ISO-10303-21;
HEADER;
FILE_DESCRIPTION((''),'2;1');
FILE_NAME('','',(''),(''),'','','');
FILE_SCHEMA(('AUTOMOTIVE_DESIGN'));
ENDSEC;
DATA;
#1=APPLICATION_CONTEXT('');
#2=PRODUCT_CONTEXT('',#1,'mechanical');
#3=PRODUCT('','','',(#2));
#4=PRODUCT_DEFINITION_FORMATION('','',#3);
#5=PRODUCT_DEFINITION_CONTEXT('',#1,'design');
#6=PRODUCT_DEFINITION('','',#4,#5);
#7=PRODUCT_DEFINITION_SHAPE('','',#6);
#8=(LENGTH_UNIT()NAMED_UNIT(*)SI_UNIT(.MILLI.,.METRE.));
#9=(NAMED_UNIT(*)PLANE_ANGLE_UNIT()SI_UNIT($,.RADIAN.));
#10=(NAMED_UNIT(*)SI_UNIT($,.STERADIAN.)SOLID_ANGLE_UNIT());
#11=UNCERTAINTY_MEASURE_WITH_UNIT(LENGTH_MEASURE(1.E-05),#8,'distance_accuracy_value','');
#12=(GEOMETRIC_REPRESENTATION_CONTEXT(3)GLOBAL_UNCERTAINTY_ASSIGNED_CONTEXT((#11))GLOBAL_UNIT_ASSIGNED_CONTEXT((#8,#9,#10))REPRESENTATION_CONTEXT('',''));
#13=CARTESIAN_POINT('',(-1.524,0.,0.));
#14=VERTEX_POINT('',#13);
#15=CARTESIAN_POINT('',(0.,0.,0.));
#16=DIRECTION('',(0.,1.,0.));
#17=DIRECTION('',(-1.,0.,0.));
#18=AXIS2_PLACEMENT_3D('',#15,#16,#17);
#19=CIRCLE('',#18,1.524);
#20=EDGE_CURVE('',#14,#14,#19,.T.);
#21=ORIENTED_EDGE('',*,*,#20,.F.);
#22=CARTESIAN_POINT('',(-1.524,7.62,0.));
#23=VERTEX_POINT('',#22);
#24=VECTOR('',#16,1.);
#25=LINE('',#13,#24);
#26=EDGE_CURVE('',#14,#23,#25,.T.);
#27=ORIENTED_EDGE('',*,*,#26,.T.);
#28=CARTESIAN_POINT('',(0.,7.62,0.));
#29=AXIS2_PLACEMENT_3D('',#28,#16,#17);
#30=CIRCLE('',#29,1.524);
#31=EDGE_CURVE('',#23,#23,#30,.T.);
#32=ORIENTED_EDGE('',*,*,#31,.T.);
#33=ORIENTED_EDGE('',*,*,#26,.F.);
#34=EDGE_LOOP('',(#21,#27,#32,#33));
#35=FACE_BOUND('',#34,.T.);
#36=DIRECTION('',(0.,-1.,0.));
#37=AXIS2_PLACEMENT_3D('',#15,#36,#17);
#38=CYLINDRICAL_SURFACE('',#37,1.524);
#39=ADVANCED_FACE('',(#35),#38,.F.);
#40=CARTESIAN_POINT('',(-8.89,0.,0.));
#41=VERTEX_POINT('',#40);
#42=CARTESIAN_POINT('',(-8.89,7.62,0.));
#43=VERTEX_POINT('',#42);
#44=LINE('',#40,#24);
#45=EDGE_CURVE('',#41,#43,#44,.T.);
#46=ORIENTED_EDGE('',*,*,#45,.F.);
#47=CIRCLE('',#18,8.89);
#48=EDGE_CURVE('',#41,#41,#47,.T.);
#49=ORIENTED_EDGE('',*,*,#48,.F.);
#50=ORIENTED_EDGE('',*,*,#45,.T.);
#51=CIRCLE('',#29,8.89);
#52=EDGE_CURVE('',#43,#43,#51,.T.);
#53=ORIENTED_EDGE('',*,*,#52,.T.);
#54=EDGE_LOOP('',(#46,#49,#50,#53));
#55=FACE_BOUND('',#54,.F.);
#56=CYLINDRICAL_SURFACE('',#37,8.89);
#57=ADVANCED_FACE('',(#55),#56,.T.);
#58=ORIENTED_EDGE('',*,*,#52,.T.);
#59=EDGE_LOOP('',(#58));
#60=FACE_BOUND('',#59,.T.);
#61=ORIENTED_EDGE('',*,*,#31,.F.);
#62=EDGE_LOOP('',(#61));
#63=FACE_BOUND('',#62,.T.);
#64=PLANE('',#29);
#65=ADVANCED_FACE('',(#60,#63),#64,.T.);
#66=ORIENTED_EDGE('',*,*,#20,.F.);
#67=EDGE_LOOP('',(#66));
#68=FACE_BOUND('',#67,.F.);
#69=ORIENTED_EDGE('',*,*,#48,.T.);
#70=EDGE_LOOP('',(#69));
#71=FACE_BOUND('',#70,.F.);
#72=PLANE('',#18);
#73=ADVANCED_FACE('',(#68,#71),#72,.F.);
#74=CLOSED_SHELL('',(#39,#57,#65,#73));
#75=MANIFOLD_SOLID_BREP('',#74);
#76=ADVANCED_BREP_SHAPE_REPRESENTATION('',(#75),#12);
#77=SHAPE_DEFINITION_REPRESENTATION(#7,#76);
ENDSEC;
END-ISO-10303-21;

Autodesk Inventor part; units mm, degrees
ref_plane "YZ Plane" through (0, 0, 0) normal (1, 0, 0) x (0, 1, 0)
ref_plane "XZ Plane" through (0, 0, 0) normal (0, 1, 0) x (-1, 0, 0)
ref_plane "XY Plane" through (0, 0, 0) normal (0, 0, 1) x (1, 0, 0)
sketch "Sketch1" plane through (0, 0, 0) normal (0, 1, 0) x (-1, 0, 0)
  circle A0 centre (0, 0) radius 8.89
  circle A1 centre (0, 0) radius 1.524
  dimension "d0" = 17.78
  dimension "d1" = 3.048
extrude "Extrusion1" add sketch "Sketch1" along normal blind 7.62
properties part number "wheel"
